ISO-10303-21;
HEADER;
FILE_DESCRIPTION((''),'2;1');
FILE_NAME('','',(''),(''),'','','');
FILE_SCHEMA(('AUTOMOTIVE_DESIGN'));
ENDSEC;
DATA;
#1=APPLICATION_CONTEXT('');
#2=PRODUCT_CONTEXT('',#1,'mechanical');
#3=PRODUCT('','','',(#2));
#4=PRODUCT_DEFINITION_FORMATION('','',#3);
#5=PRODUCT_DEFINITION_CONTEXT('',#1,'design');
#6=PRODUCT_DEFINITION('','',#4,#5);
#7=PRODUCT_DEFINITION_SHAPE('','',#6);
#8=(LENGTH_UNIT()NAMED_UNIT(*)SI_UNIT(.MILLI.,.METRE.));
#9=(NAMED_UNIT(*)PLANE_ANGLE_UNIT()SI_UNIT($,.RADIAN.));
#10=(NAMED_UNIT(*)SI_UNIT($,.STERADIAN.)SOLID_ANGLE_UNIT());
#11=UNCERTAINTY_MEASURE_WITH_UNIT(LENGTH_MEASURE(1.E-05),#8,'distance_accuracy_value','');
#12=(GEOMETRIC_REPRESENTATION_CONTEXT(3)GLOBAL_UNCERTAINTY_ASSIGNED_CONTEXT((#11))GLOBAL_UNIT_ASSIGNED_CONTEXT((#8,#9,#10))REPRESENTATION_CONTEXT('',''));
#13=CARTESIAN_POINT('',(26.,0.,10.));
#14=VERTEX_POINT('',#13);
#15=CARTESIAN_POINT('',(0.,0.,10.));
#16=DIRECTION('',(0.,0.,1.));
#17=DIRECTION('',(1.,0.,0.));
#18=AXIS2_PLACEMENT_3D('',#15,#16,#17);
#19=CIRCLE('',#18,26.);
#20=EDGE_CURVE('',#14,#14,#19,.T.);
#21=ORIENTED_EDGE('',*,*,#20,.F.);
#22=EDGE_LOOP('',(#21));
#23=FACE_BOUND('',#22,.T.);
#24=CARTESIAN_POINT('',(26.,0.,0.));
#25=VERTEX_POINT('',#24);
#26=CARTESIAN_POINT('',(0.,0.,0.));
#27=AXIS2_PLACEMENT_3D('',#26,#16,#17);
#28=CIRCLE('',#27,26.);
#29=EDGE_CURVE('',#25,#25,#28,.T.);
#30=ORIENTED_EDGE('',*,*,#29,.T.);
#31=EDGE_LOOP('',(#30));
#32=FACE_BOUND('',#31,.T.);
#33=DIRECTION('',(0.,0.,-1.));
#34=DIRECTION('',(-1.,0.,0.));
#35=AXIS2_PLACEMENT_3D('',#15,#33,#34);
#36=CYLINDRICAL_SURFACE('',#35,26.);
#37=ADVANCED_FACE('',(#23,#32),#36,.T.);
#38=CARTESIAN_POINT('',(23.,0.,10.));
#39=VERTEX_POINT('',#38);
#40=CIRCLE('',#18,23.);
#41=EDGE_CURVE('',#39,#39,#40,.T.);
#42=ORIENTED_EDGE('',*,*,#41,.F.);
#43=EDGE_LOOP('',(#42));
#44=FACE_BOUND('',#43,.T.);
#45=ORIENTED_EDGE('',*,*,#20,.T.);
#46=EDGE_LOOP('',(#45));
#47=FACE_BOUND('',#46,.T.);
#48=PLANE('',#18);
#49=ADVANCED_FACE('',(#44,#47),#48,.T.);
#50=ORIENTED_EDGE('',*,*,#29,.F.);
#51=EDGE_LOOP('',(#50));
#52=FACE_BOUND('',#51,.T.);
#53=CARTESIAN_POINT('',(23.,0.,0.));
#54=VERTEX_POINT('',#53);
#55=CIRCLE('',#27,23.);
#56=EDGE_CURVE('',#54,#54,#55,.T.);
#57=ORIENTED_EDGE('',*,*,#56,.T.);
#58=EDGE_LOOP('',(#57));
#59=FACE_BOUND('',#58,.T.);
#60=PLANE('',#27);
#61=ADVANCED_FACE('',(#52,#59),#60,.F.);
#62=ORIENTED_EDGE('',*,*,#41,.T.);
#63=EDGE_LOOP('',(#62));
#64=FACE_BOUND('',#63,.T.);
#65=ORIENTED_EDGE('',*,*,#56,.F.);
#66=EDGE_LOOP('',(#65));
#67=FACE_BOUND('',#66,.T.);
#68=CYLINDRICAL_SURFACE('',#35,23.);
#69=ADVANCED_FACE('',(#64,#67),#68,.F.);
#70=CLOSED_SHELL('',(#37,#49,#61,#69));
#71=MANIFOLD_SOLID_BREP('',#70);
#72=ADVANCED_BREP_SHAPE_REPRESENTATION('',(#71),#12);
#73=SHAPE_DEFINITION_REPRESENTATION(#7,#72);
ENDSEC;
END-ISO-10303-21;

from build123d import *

# Parameters (mm, degrees)
SZKIC1_R                    = 26
SZKIC1_R_2                  = 23
DODANIE_WYCI_GNI_CIE1_DEPTH = 10


with BuildPart() as part:
    # Szkic1 → Dodanie-wyciągnięcie1 (new body)
    with BuildSketch(Plane.XY):
        Circle(SZKIC1_R)
        Circle(SZKIC1_R_2, mode=Mode.SUBTRACT)
    extrude(amount=DODANIE_WYCI_GNI_CIE1_DEPTH)


solid = part.part
